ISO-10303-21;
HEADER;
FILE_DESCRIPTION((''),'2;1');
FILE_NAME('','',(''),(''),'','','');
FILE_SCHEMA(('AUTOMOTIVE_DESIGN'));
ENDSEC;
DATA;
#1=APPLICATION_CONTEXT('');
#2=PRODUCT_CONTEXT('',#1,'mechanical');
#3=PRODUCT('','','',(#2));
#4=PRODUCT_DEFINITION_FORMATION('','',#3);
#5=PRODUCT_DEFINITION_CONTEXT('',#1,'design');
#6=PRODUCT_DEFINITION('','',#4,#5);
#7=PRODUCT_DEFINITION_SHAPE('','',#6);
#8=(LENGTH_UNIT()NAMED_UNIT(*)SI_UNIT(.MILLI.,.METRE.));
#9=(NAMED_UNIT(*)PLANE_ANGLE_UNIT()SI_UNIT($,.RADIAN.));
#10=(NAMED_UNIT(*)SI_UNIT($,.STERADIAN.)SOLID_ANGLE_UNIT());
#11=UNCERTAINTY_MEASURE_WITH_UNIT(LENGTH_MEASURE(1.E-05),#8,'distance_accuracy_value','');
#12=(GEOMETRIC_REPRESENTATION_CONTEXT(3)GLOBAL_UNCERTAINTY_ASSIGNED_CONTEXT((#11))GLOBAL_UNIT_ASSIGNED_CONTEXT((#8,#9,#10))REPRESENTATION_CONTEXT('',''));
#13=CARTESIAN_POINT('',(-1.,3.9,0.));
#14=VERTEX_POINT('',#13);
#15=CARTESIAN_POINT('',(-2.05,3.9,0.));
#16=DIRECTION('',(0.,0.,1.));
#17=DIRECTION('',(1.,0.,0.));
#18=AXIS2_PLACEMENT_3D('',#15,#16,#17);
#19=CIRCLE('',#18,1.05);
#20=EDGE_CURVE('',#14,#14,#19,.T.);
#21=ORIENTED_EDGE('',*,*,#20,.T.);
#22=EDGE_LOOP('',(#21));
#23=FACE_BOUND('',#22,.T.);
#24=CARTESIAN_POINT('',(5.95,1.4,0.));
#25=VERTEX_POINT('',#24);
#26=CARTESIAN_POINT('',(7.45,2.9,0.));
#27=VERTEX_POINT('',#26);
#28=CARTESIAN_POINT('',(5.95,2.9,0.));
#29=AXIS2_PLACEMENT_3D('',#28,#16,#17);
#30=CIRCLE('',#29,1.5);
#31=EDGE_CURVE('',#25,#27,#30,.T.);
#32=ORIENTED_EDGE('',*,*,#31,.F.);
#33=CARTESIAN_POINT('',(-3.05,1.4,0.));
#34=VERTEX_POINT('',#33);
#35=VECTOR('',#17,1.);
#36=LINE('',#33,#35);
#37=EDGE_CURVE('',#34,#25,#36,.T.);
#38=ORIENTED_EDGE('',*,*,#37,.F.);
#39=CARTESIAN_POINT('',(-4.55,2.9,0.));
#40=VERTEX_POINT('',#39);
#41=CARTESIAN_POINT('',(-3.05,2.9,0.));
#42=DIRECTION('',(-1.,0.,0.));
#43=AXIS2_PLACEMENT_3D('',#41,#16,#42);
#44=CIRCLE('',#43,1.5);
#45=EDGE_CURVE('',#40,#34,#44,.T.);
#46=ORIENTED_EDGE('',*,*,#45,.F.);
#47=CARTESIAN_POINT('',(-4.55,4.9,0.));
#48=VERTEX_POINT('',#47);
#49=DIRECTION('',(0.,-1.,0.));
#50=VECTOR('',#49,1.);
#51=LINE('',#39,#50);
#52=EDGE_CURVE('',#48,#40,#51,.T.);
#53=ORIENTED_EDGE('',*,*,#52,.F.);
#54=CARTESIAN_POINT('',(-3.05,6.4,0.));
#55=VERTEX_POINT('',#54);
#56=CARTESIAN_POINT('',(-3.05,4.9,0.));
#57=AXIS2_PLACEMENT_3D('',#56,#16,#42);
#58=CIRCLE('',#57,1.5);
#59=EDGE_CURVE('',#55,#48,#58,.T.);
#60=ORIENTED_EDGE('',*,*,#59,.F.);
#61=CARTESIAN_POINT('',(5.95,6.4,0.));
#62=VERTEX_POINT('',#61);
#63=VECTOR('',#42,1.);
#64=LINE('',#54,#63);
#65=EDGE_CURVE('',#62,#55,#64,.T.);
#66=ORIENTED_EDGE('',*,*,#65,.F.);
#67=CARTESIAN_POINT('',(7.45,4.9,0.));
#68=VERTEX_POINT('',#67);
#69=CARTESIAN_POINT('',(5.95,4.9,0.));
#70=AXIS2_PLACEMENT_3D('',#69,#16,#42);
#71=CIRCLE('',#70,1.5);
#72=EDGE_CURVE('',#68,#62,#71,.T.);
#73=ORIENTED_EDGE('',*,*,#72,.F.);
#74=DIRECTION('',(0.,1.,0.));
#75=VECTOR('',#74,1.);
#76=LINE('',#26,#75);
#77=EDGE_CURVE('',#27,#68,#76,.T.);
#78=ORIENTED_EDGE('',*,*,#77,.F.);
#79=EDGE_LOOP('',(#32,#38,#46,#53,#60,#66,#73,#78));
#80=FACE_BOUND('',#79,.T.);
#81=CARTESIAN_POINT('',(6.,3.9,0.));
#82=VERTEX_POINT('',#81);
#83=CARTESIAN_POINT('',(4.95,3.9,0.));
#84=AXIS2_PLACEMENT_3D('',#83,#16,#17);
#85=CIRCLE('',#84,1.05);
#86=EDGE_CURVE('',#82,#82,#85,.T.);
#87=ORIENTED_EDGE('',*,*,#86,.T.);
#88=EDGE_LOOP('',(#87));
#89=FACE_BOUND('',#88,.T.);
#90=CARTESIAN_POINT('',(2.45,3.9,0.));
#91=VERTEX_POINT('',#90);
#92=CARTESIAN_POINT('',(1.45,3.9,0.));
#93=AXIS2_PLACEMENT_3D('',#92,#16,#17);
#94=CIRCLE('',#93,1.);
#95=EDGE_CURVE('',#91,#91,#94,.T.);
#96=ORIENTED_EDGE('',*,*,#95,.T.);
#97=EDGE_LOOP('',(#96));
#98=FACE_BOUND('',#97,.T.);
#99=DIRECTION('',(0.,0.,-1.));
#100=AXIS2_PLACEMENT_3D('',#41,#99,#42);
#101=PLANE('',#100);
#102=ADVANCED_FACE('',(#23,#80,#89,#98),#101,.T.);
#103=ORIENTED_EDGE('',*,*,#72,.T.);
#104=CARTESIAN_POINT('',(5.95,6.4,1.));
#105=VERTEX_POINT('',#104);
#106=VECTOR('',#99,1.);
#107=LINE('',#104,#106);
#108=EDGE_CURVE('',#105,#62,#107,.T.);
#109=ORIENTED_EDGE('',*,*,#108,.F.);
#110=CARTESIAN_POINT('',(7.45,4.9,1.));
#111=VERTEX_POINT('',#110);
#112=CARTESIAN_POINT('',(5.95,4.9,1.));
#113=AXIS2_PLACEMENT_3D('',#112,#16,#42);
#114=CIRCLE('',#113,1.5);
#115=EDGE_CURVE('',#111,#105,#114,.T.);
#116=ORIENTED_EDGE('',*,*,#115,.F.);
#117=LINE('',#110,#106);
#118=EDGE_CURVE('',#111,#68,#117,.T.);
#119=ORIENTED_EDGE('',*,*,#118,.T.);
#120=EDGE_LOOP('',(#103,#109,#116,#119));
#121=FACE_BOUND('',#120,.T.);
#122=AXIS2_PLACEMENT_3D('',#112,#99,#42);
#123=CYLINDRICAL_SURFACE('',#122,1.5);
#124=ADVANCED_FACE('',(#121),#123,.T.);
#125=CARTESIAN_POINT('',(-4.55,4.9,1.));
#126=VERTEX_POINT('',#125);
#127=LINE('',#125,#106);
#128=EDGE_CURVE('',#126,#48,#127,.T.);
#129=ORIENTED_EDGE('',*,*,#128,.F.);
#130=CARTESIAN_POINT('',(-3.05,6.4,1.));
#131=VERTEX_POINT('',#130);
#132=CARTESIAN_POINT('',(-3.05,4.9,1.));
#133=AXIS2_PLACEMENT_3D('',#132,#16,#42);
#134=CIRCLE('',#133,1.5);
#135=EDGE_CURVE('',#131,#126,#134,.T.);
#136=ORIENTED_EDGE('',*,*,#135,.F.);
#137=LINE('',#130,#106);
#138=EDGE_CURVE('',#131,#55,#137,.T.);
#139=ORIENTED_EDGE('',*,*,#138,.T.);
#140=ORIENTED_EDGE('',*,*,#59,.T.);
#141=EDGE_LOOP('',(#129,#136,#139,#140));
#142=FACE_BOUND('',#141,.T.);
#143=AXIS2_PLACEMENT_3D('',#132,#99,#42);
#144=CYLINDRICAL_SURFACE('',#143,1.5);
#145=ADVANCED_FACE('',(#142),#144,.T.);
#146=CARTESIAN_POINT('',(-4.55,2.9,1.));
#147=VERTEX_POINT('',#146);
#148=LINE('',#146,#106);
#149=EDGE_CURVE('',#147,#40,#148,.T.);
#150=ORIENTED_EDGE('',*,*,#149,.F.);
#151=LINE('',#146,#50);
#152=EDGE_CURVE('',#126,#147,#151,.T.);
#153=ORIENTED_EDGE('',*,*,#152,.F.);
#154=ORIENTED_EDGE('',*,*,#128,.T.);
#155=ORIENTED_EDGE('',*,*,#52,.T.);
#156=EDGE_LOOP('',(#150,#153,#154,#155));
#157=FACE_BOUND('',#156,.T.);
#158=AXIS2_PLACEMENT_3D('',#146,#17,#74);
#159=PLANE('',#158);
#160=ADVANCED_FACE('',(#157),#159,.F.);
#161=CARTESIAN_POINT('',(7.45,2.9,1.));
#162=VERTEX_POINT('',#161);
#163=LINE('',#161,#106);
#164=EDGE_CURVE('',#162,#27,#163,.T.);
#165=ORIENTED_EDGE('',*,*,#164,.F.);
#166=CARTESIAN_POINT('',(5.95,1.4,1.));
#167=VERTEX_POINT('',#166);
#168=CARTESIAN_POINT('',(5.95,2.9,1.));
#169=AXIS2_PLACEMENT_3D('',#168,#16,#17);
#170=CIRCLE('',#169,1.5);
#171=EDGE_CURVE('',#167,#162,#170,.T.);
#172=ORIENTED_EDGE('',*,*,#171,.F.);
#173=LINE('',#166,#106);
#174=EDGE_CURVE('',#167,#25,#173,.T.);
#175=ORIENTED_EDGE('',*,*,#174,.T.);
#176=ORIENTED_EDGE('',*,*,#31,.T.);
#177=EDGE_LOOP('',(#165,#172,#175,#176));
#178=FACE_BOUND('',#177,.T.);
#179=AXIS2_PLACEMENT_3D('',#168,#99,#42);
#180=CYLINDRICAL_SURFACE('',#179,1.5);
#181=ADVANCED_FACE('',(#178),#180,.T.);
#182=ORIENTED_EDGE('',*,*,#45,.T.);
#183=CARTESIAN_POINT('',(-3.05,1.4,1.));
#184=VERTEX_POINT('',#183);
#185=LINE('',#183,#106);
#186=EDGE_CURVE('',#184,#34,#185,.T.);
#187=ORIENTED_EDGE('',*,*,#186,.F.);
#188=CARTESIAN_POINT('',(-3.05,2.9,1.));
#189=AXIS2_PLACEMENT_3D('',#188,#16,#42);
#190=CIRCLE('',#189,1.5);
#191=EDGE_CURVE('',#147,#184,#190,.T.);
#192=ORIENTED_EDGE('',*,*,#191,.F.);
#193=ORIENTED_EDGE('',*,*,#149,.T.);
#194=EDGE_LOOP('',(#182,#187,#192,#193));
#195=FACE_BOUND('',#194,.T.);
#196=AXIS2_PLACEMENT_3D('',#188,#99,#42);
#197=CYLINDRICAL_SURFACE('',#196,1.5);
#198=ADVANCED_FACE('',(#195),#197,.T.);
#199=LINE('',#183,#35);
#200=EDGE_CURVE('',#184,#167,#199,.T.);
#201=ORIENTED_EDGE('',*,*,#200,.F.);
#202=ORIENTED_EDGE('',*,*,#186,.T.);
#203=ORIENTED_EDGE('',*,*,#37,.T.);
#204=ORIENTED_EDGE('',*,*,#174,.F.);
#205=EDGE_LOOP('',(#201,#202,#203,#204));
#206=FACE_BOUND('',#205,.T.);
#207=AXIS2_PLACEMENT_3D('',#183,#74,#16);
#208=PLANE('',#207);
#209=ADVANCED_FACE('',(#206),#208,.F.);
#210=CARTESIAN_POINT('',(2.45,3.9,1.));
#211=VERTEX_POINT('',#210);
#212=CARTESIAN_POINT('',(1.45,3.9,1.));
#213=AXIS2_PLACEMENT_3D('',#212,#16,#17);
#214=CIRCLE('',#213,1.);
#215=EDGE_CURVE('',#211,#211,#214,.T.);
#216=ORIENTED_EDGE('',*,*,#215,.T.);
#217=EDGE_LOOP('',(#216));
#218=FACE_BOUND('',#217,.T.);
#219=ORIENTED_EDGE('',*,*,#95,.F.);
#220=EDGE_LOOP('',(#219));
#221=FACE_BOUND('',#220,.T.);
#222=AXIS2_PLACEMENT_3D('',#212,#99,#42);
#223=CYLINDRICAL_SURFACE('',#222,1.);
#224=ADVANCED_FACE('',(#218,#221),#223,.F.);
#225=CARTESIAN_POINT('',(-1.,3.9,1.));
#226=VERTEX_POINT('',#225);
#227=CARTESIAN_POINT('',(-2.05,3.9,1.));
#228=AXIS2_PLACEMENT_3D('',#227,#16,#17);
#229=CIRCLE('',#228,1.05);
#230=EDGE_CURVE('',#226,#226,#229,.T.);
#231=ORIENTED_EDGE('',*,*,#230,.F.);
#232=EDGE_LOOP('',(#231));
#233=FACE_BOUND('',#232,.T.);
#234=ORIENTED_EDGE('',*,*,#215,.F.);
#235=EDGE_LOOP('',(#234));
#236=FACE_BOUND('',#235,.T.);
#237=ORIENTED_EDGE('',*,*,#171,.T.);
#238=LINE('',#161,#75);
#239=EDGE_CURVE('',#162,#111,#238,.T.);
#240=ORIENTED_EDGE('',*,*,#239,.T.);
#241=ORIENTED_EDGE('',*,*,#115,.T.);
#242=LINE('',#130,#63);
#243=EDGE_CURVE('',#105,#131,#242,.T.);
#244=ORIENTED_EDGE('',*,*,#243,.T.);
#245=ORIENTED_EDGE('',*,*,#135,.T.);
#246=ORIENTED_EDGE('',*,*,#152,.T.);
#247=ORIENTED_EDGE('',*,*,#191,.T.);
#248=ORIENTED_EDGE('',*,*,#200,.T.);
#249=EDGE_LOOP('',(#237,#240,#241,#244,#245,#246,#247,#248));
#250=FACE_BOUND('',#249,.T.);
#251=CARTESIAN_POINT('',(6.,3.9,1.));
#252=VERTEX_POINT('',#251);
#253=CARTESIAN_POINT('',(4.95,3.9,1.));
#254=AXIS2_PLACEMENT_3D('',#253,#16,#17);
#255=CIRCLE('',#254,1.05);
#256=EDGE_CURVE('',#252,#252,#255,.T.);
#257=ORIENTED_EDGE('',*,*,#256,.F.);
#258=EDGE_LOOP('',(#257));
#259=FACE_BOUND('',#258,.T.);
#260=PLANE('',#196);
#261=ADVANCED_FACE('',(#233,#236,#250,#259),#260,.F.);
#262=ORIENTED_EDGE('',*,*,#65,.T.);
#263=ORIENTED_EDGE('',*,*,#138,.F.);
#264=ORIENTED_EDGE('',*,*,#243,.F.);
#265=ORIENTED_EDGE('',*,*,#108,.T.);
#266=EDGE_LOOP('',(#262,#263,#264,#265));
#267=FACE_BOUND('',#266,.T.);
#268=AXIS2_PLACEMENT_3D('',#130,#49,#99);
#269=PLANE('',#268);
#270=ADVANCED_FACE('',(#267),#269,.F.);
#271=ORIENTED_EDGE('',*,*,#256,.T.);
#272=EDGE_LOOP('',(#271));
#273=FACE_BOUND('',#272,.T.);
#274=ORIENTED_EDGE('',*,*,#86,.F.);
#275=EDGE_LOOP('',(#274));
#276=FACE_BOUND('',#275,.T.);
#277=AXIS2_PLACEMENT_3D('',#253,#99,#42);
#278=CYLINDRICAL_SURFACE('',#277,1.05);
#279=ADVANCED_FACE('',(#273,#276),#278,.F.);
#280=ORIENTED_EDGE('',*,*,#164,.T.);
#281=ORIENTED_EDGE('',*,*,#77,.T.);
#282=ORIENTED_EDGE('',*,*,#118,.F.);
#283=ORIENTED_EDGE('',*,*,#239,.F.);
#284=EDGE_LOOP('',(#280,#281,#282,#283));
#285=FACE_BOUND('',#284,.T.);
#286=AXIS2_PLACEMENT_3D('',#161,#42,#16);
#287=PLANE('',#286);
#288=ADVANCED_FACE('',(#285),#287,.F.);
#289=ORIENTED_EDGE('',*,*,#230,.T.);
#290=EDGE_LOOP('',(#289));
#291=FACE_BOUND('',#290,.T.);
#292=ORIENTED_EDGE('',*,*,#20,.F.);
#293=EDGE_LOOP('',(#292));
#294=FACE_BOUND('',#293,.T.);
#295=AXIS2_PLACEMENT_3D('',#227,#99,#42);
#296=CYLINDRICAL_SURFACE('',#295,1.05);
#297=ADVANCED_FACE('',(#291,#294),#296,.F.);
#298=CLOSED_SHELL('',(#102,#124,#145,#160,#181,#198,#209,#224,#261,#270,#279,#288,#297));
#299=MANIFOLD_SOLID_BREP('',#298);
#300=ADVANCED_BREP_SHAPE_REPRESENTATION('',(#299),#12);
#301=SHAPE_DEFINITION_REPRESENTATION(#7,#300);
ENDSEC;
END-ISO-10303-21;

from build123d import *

# Parameters (mm, degrees)
SKETCH1_R           = 1.05
SKETCH1_R_2         = 1
BOSS_EXTRUDE1_DEPTH = 1


with BuildPart() as part:
    # Sketch1 → Boss-Extrude1 (new body)
    with BuildSketch(Plane.XY):
        with BuildLine():
            Line((-3.05, 1.4), (5.95, 1.4))
            ThreePointArc((5.95, 1.4), (7.010660172, 1.839339828), (7.45, 2.9))
            Line((7.45, 2.9), (7.45, 4.9))
            ThreePointArc((7.45, 4.9), (7.010660172, 5.960660172), (5.95, 6.4))
            Line((5.95, 6.4), (-3.05, 6.4))
            ThreePointArc((-3.05, 6.4), (-4.110660172, 5.960660172), (-4.55, 4.9))
            Line((-4.55, 4.9), (-4.55, 2.9))
            ThreePointArc((-4.55, 2.9), (-4.110660172, 1.839339828), (-3.05, 1.4))
        make_face()
        with Locations((-2.05, 3.9)):
            Circle(SKETCH1_R, mode=Mode.SUBTRACT)
        with Locations((4.95, 3.9)):
            Circle(SKETCH1_R, mode=Mode.SUBTRACT)
        with Locations((1.45, 3.9)):
            Circle(SKETCH1_R_2, mode=Mode.SUBTRACT)
    extrude(amount=BOSS_EXTRUDE1_DEPTH)


solid = part.part
